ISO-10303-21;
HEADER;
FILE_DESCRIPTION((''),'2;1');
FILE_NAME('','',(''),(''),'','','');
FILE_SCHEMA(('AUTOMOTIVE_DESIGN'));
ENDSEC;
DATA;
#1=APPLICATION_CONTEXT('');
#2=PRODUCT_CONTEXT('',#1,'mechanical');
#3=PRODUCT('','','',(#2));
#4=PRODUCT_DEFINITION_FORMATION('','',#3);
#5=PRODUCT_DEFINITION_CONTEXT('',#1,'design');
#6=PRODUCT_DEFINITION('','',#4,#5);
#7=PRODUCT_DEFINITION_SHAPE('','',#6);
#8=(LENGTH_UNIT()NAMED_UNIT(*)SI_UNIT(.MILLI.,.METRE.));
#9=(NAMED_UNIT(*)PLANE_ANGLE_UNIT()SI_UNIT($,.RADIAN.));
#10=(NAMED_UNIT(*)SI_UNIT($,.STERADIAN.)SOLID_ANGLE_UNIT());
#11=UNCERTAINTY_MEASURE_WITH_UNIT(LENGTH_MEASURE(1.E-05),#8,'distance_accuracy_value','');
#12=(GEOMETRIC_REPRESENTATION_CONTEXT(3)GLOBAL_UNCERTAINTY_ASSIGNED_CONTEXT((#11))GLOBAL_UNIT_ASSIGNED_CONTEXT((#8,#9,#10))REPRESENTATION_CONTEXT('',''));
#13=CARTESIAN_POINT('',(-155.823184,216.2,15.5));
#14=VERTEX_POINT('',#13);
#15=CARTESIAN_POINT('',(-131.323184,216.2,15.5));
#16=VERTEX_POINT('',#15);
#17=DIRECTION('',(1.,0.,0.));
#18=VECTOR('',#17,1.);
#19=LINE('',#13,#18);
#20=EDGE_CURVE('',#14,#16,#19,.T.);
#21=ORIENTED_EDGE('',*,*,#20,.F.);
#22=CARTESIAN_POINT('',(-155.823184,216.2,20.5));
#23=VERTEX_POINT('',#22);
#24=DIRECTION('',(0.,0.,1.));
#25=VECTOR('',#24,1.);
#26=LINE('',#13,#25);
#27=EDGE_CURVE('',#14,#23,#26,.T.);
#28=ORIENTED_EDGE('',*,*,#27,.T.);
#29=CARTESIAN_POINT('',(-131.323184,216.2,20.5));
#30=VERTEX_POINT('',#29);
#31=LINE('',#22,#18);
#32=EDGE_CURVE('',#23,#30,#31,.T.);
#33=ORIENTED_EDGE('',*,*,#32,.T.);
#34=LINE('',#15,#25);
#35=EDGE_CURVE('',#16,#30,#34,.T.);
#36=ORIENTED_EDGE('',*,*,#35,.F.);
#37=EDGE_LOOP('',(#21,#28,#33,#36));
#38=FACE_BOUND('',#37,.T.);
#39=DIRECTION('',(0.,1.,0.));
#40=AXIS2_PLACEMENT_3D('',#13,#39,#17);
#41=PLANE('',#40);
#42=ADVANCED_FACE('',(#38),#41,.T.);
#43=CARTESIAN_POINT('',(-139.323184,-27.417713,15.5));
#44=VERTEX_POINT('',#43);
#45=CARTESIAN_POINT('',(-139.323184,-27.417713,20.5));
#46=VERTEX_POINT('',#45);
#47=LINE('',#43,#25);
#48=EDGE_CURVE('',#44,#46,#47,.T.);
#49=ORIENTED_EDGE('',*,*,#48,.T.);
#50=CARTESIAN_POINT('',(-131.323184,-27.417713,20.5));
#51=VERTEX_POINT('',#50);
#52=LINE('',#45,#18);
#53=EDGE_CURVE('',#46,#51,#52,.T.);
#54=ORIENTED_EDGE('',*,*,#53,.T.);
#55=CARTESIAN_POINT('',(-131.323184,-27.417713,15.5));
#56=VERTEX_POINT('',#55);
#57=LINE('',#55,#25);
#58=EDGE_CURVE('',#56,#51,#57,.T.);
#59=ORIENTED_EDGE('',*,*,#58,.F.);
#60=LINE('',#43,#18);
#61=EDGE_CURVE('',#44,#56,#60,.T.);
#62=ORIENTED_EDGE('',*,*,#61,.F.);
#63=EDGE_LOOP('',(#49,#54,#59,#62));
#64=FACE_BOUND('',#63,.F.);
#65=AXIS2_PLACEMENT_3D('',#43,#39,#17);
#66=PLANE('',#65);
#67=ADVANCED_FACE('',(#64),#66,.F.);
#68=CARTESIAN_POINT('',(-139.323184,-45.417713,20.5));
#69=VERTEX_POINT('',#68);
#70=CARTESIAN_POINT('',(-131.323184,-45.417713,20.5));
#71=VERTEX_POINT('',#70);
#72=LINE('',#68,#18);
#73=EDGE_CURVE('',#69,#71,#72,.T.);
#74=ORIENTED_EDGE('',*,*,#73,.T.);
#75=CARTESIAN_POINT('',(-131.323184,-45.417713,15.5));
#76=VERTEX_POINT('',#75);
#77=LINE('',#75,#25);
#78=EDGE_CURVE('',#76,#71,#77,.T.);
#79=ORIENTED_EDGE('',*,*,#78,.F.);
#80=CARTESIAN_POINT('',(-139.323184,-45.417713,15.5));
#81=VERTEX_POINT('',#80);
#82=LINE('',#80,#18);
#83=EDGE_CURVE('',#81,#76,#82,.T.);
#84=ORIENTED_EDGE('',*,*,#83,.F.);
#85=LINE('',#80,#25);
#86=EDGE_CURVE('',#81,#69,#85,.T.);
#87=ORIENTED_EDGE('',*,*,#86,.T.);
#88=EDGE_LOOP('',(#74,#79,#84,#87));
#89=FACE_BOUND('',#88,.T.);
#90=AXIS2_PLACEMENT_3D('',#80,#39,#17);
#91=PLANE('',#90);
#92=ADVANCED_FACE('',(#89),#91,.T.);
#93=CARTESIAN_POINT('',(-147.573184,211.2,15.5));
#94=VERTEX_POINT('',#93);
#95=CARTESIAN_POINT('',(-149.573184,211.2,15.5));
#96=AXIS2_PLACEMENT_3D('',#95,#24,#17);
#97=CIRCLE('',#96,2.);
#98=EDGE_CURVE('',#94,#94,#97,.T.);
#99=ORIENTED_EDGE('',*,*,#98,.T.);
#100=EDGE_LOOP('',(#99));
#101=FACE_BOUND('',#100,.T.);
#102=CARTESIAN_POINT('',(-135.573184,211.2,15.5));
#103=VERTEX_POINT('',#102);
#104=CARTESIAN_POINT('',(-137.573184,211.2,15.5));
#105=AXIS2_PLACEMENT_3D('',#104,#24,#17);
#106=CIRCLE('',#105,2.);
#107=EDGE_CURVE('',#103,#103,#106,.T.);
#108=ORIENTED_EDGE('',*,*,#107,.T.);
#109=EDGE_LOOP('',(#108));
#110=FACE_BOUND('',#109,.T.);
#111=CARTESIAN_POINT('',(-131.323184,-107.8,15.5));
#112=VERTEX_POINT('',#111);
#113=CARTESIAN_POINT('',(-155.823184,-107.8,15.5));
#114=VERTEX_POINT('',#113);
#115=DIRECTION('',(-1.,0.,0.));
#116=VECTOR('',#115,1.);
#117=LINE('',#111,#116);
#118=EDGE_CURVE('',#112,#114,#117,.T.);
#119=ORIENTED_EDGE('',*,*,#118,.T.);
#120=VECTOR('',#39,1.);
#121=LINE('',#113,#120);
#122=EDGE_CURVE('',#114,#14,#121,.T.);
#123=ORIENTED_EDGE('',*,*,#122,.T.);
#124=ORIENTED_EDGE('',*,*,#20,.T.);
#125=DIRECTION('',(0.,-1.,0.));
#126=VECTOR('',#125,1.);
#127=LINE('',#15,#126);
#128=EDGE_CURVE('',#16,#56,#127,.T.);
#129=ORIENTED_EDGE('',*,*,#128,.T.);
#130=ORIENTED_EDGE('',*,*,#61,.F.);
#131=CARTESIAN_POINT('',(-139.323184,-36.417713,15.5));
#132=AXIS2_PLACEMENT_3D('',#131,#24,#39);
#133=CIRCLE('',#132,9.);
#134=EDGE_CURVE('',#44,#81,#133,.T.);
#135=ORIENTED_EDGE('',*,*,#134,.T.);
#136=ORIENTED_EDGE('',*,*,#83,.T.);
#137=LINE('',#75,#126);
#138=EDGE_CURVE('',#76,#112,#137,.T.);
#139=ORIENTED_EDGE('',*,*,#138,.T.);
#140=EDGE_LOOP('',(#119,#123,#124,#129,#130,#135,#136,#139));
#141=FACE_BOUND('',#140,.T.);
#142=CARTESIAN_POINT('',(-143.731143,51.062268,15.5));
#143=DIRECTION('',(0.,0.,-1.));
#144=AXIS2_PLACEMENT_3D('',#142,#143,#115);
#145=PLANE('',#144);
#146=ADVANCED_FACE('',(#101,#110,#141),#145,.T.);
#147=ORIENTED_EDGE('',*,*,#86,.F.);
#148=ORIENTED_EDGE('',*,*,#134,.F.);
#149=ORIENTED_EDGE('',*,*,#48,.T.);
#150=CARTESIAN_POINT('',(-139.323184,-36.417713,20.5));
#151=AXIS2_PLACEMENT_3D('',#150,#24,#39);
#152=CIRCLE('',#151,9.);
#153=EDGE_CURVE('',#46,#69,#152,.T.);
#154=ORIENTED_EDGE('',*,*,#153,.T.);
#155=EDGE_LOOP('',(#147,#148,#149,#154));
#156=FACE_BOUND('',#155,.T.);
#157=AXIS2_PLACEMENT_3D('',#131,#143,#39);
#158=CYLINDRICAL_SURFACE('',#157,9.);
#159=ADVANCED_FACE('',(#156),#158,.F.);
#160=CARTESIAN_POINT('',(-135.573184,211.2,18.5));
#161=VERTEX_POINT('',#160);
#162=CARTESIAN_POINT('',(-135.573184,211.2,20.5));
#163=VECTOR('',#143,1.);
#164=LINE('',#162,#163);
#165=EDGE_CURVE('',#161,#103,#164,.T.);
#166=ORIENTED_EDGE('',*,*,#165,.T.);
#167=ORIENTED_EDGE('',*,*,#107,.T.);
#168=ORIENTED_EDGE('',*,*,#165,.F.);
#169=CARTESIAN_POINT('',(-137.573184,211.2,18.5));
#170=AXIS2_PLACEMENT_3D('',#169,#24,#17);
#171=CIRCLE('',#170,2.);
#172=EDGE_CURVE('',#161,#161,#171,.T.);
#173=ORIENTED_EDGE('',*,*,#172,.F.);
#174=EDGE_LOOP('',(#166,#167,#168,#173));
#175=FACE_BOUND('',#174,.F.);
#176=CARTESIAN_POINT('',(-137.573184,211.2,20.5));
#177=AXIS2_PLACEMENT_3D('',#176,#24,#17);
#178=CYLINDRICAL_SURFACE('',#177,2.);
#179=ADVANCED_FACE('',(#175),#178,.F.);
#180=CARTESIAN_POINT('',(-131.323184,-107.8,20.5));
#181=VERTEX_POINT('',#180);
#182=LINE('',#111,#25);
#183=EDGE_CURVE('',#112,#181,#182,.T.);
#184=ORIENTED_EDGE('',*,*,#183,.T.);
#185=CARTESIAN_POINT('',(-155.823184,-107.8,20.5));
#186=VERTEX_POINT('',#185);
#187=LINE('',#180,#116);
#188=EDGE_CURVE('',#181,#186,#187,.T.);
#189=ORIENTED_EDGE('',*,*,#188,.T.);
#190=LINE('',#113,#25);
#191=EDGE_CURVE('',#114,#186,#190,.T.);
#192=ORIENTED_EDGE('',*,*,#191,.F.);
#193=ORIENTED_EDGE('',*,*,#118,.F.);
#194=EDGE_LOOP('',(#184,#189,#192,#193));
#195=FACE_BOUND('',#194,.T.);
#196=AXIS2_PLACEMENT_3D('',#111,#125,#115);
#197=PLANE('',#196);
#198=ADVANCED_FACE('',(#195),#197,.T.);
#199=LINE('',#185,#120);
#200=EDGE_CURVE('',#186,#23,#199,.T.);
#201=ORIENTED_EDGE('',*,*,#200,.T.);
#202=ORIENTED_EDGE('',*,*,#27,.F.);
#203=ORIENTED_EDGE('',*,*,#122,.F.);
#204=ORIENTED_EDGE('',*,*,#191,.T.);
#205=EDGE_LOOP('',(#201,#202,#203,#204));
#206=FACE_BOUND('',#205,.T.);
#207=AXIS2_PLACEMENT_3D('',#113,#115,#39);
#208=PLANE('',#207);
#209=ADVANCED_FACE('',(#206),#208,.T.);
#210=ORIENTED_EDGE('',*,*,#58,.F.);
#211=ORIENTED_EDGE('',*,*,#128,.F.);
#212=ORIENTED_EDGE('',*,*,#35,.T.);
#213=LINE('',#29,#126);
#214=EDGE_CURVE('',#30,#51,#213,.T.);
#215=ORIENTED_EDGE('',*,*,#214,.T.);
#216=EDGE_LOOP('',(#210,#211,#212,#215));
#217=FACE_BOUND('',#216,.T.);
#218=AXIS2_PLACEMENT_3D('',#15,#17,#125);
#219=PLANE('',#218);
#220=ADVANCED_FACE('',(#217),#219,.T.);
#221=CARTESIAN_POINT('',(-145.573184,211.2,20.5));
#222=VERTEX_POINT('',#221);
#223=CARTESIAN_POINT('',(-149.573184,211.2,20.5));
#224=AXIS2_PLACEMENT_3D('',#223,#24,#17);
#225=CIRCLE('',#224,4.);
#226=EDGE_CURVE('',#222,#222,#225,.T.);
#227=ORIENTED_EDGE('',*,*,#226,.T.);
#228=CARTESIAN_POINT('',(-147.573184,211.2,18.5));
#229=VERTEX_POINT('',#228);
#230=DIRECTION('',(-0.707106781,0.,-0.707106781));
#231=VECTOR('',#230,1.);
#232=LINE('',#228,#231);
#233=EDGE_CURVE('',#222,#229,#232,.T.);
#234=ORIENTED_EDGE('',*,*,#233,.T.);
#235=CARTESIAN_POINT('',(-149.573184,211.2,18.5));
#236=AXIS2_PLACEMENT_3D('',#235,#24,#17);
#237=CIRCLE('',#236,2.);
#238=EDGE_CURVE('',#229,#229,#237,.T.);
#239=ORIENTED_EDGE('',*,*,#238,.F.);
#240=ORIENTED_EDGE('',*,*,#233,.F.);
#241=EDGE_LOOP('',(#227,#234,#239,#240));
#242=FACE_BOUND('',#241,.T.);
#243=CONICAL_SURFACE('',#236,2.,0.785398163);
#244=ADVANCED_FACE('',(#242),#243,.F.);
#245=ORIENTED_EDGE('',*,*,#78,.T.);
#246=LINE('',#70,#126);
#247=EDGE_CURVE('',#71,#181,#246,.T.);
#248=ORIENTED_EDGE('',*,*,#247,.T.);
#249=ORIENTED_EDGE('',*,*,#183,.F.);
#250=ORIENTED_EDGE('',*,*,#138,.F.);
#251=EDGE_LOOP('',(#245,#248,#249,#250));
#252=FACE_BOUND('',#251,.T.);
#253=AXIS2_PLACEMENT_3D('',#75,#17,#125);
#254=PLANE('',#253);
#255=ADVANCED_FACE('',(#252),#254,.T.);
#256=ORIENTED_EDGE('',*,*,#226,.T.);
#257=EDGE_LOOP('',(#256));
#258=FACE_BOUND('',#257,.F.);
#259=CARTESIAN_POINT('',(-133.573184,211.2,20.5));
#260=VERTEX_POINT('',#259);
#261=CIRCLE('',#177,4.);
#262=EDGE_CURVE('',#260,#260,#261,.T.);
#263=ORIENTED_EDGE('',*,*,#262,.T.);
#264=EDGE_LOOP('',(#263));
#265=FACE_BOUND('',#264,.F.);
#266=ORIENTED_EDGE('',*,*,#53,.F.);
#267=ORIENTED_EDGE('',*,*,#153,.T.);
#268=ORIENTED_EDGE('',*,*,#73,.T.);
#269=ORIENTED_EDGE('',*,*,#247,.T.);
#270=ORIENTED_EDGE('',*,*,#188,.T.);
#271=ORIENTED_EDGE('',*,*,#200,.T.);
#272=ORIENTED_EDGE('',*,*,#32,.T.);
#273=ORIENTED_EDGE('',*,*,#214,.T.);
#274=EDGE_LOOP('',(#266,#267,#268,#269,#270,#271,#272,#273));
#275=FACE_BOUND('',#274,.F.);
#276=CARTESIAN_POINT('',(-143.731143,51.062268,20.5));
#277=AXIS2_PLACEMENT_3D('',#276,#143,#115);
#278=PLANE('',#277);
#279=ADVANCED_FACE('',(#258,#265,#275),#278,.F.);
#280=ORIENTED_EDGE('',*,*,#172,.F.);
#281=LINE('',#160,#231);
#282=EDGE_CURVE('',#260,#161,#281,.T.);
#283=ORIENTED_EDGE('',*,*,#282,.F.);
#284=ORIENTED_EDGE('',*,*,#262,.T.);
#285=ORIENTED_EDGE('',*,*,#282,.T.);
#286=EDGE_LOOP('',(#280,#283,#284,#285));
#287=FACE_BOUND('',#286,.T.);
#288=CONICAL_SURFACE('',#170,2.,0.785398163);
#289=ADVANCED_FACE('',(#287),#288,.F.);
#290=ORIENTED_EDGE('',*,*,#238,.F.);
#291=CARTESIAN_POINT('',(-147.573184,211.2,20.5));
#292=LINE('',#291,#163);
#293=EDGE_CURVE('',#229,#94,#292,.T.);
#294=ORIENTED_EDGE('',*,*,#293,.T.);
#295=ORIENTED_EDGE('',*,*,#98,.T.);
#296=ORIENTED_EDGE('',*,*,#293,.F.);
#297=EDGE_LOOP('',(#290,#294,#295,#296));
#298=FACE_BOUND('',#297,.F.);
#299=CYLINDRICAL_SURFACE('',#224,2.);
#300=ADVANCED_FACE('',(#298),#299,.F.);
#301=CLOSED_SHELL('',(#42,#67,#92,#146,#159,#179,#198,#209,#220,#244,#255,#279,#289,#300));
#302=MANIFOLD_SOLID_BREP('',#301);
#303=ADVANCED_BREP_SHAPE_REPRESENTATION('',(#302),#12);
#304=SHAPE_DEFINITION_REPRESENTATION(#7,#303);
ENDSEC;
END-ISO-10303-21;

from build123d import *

# Parameters (mm, degrees)
PAD026_DEPTH    = 5
SKETCH058_R     = 2
POCKET036_DEPTH = 5.001
CHAMFER020_SIZE = 2


with BuildPart() as part:
    # Sketch053 → Pad026 (new body)
    with BuildSketch(Plane.XY):
        with BuildLine():
            Line((-81.323184, -45.417713), (-81.323184, -107.8))
            Line((-81.323184, -107.8), (-105.823184, -107.8))
            Line((-105.823184, -107.8), (-105.823184, 216.2))
            Line((-105.823184, 216.2), (-81.323184, 216.2))
            Line((-81.323184, 216.2), (-81.323184, -27.417713))
            Line((-89.323184, -27.417713), (-81.323184, -27.417713))
            ThreePointArc((-89.323184, -27.417713), (-98.323184, -36.417713), (-89.323184, -45.417713))
            Line((-89.323184, -45.417713), (-81.323184, -45.417713))
        make_face()
    extrude(amount=PAD026_DEPTH)

    # Sketch058 (on Face10 of Pad026) → Pocket036 (cut, through all)
    with BuildSketch(Plane.XY.offset(5)):
        with Locations((-99.573184, 211.2)):
            Circle(SKETCH058_R)
        with Locations((-87.573184, 211.2)):
            Circle(SKETCH058_R)
    extrude(amount=-POCKET036_DEPTH, mode=Mode.SUBTRACT)

    # Chamfer020
    chamfer020_edges = [part.edges().sort_by_distance(p)[0] for p in [
        (-89.573184, 211.2, 5),
        (-101.573184, 211.2, 5),
    ]]
    chamfer(chamfer020_edges, length=CHAMFER020_SIZE)


with BuildPart() as part_1:
    # Body019 placement: moved
    add(part.part.moved(Location((-50, 0, 15.5))))


solid = part_1.part
